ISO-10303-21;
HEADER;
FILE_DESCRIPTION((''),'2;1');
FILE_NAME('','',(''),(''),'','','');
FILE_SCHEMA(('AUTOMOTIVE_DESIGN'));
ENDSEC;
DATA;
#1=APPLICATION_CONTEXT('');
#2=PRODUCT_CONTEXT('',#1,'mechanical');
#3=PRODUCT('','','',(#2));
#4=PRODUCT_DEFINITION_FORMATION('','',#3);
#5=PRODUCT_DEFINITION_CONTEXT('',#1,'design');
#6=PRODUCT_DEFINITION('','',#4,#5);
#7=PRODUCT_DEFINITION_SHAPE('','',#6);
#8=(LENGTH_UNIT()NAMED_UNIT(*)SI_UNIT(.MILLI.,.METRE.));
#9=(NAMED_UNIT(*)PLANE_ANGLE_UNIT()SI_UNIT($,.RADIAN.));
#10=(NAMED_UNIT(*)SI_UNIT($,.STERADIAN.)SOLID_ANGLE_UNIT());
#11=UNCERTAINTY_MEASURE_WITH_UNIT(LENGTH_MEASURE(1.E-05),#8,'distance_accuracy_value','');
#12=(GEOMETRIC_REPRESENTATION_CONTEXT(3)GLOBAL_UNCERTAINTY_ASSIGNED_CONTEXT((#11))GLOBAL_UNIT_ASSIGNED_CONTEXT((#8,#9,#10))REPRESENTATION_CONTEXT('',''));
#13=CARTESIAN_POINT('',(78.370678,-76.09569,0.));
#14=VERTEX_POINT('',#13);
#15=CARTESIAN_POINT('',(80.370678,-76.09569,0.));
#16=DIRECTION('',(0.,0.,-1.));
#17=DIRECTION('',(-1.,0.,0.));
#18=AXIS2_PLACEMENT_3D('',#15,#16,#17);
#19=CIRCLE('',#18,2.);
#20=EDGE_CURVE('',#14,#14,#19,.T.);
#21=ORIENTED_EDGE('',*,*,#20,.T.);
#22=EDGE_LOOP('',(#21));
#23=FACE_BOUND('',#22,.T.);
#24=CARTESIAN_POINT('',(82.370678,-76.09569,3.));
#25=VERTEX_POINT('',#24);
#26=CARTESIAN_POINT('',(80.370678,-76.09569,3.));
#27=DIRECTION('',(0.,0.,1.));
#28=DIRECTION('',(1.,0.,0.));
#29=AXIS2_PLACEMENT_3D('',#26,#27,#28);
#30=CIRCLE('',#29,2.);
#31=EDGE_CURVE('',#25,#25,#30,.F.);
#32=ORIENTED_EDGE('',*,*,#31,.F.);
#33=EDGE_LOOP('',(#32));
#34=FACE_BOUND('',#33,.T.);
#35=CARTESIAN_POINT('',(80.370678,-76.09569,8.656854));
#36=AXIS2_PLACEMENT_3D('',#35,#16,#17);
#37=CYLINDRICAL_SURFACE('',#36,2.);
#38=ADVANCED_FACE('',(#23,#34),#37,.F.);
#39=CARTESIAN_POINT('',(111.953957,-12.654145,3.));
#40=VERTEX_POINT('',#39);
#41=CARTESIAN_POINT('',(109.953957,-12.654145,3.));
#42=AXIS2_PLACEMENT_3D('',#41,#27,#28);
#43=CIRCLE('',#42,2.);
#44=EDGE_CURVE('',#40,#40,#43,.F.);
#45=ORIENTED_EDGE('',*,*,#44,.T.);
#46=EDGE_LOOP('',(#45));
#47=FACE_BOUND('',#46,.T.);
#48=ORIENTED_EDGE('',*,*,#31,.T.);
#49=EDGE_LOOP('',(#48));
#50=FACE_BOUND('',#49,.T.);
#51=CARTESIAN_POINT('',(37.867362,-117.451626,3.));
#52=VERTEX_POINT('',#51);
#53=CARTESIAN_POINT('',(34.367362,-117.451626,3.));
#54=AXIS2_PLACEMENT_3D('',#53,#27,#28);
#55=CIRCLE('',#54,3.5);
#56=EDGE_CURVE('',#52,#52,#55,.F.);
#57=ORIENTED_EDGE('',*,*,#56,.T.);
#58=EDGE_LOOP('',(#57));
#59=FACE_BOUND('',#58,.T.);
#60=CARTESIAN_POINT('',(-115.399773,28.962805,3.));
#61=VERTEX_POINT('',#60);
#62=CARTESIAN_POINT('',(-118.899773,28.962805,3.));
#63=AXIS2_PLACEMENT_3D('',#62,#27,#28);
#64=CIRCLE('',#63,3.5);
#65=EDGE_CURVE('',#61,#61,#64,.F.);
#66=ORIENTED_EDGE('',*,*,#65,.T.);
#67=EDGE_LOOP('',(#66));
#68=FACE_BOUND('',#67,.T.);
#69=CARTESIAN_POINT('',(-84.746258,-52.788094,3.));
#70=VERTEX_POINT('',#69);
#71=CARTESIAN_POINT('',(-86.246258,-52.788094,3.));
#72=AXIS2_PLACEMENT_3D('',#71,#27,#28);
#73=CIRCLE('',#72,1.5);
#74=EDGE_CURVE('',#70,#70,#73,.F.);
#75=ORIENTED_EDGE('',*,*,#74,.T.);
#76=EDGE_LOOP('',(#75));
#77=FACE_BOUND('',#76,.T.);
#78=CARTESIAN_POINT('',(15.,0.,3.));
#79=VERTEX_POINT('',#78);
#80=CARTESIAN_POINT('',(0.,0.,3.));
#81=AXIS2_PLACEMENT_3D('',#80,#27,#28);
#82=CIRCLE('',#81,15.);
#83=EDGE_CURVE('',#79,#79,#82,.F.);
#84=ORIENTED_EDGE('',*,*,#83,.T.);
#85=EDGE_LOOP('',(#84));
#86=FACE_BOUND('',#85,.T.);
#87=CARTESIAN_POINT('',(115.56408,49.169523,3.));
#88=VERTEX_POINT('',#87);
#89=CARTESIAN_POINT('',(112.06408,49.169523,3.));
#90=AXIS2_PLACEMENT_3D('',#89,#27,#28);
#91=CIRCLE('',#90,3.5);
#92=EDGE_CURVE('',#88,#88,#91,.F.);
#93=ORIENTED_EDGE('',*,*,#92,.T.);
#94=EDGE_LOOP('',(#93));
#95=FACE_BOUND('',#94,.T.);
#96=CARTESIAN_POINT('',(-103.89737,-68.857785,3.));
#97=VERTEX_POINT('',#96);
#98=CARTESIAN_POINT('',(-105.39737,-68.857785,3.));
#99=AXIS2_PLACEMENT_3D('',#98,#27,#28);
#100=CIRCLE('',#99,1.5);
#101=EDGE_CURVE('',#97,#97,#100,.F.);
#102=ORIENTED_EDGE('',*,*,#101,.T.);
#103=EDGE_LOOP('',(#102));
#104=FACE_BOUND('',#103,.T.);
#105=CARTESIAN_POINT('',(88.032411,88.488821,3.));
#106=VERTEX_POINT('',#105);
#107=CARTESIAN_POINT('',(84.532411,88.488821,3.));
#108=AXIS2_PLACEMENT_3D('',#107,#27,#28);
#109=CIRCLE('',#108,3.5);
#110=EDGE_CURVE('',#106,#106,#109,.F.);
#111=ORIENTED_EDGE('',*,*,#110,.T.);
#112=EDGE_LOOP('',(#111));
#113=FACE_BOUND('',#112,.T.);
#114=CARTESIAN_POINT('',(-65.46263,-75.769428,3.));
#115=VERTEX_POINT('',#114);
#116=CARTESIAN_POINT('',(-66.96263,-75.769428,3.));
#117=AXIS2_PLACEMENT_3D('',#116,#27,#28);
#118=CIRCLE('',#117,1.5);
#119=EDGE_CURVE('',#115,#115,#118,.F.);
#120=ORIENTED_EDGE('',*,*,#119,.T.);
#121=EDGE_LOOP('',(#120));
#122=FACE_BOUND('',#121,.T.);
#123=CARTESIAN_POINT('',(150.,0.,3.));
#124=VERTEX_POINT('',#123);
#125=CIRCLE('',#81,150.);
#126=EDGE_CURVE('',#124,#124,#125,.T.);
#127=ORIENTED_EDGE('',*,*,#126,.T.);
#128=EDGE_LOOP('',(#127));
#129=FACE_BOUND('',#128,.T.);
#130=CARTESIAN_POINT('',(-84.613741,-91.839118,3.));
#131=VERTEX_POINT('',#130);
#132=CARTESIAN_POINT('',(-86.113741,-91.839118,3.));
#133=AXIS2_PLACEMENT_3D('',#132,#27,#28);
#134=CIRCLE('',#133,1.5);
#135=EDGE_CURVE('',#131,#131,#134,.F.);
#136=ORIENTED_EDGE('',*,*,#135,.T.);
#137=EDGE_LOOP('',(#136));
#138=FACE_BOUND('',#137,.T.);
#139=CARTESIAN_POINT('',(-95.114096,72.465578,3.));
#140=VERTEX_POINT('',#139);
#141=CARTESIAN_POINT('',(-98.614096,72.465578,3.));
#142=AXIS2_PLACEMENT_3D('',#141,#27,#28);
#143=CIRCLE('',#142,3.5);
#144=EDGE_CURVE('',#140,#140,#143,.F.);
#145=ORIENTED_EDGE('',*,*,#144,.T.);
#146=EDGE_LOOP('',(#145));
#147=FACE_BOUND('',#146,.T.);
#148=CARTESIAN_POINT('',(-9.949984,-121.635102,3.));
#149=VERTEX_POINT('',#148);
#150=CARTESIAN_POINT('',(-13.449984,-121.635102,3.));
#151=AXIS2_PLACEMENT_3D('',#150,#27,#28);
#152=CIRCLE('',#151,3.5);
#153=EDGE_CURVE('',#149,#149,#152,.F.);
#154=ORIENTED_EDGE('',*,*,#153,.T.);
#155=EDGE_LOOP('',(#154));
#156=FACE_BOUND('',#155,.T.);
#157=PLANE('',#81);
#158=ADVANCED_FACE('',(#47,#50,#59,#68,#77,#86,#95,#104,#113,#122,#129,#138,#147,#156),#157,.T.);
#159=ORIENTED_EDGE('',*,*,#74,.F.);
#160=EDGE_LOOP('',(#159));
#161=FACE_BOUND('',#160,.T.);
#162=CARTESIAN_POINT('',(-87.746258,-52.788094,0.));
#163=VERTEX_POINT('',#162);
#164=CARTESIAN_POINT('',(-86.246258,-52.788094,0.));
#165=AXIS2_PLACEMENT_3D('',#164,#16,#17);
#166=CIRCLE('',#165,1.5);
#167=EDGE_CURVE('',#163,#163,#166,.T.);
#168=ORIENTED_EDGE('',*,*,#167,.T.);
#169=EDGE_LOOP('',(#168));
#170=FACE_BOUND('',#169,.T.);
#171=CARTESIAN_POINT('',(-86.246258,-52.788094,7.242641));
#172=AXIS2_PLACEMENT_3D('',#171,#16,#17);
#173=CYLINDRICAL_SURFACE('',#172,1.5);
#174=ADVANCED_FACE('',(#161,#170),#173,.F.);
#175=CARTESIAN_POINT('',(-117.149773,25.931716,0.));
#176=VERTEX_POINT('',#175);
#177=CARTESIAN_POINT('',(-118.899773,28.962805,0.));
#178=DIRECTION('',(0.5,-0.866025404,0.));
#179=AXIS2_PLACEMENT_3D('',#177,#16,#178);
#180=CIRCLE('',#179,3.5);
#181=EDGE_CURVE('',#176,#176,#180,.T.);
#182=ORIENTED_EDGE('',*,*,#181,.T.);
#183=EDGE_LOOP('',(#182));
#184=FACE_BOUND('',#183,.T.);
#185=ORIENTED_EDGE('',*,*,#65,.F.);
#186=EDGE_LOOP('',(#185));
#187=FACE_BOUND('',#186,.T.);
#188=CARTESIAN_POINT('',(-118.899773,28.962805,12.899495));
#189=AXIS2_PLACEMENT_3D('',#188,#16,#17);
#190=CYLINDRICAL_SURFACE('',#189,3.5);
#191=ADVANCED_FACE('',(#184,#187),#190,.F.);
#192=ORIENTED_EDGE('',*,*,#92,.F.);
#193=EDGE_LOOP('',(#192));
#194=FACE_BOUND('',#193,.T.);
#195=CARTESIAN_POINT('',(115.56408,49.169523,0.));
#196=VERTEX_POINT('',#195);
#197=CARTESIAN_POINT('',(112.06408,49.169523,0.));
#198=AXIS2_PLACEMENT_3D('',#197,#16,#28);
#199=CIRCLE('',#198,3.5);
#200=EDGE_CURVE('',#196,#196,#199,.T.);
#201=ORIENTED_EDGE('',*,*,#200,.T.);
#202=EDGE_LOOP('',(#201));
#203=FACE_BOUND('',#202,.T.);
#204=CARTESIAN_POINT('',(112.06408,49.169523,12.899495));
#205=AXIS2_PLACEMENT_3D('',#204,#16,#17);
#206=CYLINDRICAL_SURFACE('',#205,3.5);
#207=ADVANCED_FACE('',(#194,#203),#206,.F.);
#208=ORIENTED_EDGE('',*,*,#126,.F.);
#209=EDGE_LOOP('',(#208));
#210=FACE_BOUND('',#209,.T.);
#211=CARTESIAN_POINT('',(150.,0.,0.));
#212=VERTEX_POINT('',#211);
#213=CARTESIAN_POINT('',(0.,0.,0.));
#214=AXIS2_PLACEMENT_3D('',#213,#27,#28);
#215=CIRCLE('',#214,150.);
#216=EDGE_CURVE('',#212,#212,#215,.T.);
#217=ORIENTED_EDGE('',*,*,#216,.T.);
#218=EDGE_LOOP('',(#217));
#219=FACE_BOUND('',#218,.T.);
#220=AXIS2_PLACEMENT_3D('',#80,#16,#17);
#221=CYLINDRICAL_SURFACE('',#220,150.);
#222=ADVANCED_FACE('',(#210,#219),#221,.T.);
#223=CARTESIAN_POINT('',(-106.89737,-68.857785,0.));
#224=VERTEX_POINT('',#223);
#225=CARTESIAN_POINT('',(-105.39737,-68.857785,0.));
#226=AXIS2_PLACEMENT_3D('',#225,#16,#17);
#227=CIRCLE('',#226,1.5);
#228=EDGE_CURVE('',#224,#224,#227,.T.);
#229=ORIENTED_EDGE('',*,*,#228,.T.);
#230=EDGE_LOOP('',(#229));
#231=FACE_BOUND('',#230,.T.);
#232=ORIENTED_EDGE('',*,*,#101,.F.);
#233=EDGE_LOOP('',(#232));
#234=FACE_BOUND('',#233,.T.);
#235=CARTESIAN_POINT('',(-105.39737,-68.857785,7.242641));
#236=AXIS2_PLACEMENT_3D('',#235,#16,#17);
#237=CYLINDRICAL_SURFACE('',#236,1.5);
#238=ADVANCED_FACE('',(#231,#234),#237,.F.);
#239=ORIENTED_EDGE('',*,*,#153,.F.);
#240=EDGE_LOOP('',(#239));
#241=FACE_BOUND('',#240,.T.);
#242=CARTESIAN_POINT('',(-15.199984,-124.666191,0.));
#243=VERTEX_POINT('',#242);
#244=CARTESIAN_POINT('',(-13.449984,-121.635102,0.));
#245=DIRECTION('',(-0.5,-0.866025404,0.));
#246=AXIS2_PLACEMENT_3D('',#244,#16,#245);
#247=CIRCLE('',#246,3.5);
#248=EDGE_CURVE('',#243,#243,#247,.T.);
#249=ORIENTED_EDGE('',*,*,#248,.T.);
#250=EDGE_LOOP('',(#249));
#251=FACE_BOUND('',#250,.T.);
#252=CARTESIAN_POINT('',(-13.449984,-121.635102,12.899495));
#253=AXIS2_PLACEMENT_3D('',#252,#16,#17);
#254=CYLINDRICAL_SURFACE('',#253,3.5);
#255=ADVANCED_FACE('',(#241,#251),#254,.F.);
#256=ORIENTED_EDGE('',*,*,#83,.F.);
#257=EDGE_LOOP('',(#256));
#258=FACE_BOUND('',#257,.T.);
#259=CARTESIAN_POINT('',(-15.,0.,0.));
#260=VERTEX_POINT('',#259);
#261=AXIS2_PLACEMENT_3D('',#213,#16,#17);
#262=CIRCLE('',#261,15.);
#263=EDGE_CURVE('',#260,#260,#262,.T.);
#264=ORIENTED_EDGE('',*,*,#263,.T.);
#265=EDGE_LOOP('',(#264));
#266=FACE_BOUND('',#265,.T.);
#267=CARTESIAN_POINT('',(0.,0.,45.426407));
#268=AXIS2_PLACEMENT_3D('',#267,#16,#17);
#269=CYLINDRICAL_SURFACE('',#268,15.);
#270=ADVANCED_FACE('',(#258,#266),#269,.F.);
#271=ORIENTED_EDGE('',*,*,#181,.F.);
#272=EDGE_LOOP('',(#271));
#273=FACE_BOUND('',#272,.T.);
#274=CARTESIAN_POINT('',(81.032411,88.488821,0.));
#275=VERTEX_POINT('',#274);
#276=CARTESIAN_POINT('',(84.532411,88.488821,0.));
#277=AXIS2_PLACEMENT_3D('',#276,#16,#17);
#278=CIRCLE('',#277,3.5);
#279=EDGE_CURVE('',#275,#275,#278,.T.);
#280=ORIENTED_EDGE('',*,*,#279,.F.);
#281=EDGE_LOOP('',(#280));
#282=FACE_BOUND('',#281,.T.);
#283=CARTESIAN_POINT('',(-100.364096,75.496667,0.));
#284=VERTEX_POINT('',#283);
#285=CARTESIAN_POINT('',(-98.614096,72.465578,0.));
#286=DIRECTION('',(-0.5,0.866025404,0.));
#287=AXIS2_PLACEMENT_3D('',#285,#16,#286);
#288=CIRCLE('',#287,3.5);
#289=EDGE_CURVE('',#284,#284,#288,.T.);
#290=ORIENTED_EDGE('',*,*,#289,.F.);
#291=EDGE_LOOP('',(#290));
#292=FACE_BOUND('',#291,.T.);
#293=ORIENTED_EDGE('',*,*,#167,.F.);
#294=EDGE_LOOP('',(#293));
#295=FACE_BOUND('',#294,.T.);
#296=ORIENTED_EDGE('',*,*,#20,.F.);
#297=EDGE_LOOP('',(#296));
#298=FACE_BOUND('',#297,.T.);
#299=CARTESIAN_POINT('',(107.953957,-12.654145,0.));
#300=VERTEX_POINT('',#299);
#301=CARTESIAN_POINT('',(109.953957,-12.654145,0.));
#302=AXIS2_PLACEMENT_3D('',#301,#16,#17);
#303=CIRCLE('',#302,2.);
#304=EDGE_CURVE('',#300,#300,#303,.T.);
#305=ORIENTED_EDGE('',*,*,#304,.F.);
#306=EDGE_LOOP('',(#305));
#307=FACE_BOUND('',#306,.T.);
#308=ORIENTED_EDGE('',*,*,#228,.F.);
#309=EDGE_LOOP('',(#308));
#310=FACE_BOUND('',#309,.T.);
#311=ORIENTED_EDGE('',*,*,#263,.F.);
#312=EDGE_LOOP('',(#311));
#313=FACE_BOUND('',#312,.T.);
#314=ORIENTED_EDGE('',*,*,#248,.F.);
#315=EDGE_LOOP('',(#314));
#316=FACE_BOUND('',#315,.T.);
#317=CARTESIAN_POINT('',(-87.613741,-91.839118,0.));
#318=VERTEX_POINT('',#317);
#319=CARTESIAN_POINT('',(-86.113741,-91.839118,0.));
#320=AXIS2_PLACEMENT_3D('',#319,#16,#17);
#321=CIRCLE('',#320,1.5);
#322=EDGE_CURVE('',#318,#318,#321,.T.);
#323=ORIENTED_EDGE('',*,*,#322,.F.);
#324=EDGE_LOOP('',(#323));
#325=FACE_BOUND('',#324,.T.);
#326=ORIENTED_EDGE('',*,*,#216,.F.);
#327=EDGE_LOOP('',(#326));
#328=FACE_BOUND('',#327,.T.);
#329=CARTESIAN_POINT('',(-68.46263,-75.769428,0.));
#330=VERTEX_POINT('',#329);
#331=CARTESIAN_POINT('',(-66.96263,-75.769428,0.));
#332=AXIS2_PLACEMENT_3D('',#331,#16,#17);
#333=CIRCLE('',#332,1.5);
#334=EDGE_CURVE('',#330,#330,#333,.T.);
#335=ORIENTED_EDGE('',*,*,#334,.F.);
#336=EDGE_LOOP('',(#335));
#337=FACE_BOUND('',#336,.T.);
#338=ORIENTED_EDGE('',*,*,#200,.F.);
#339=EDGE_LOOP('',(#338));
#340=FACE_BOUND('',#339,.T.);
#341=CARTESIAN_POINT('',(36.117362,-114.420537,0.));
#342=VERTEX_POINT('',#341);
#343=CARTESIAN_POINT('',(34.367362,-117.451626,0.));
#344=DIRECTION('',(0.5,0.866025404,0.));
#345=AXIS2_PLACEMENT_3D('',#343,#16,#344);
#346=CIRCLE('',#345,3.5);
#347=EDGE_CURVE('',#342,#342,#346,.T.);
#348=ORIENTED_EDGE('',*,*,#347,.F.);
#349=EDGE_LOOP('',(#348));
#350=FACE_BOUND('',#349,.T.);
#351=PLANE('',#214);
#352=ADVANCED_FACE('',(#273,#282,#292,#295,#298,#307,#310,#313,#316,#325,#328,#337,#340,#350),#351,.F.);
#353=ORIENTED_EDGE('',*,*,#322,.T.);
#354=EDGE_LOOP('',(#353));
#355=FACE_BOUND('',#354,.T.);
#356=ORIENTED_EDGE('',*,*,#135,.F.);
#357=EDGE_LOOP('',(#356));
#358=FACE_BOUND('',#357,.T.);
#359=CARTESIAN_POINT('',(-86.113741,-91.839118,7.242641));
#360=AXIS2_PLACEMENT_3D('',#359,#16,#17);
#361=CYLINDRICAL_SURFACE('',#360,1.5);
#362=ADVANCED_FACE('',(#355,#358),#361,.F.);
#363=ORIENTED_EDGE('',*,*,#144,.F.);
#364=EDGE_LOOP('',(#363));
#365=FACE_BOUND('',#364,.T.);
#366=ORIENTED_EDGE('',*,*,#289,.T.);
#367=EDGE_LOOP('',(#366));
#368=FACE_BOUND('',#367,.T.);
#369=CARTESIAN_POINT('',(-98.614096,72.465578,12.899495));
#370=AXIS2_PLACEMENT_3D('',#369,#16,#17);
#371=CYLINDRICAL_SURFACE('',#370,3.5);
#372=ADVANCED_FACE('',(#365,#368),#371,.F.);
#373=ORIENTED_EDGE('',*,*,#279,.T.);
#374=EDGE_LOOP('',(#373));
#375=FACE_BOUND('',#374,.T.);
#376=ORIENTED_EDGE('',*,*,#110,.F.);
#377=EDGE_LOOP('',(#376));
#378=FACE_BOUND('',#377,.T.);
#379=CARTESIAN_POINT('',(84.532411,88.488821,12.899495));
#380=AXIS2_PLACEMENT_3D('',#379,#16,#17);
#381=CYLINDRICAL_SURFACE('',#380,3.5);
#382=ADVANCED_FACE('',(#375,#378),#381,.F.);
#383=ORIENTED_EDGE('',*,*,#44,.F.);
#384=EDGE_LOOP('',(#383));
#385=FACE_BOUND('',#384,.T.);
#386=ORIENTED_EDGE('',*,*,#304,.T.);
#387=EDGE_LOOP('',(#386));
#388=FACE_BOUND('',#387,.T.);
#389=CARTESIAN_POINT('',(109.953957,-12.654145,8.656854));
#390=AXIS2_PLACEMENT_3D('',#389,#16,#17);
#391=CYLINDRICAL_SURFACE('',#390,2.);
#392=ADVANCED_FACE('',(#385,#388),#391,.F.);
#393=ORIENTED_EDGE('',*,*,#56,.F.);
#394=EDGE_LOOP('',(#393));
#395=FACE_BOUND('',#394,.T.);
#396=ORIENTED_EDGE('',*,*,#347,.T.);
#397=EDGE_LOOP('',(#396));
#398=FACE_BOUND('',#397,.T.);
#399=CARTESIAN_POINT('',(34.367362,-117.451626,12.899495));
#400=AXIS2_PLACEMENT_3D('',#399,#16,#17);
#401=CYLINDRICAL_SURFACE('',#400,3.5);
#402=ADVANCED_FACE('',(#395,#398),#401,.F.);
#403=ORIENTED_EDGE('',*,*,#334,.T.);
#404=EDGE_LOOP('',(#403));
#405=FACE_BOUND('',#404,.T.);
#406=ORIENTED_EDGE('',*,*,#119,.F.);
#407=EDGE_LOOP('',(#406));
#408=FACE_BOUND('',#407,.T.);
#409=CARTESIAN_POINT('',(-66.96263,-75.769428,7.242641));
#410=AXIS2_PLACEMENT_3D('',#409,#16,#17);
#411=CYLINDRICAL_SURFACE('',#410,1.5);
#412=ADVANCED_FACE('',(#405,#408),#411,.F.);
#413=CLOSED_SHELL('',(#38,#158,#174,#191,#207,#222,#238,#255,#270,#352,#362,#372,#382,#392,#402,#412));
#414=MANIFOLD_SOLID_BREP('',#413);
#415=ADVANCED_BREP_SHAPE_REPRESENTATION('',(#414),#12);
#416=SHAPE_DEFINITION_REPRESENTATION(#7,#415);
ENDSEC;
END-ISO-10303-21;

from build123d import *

# Parameters (mm, degrees)
SKETCH1_R           = 150
BOSS_EXTRUDE1_DEPTH = 3
SKETCH2_R           = 3.5
CUT_EXTRUDE1_DEPTH  = 3
CIRPATTERN1_COUNT   = 3
SKETCH3_R           = 2
CUT_EXTRUDE2_DEPTH  = 3
SKETCH4_R           = 15
CUT_EXTRUDE3_DEPTH  = 3
SKETCH6_R           = 1.5
CUT_EXTRUDE5_DEPTH  = 3


with BuildPart() as part:
    # Sketch1 → Boss-Extrude1 (new body)
    with BuildSketch(Plane.XY):
        Circle(SKETCH1_R)
    extrude(amount=BOSS_EXTRUDE1_DEPTH)

    # Sketch2 → Cut-Extrude1 (cut)
    with BuildSketch(Plane(origin=(0, 0, 0), x_dir=(-1, 0, 0), z_dir=(0, 0, -1))):
        with Locations((-84.532410842, 88.488821425)):
            Circle(SKETCH2_R)
        with Locations(Location((-112.064079787, 49.169523299, 0), (0, 0, 180))):
            Circle(SKETCH2_R)
    cut_extrude1 = extrude(amount=-CUT_EXTRUDE1_DEPTH, mode=Mode.SUBTRACT)

    # CirPattern1: Cut-Extrude1 ×3 about axis
    cirpattern1_axis = Axis((0, 0, 0), (0, 0, 1))
    for i in range(1, CIRPATTERN1_COUNT):
        add(cut_extrude1.rotate(cirpattern1_axis, i * 360 / CIRPATTERN1_COUNT), mode=Mode.SUBTRACT)

    # Sketch3 → Cut-Extrude2 (cut)
    with BuildSketch(Plane(origin=(0, 0, 0), x_dir=(-1, 0, 0), z_dir=(0, 0, -1))):
        with Locations((-109.9539568, -12.654144936)):
            Circle(SKETCH3_R)
        with Locations((-80.370678478, -76.095690029)):
            Circle(SKETCH3_R)
    extrude(amount=-CUT_EXTRUDE2_DEPTH, mode=Mode.SUBTRACT)

    # Sketch4 → Cut-Extrude3 (cut)
    with BuildSketch(Plane(origin=(0, 0, 0), x_dir=(-1, 0, 0), z_dir=(0, 0, -1))):
        Circle(SKETCH4_R)
    extrude(amount=-CUT_EXTRUDE3_DEPTH, mode=Mode.SUBTRACT)

    # Sketch6 → Cut-Extrude5 (cut)
    with BuildSketch(Plane(origin=(0, 0, 0), x_dir=(-1, 0, 0), z_dir=(0, 0, -1))):
        with Locations((66.962630167, -75.769427615)):
            Circle(SKETCH6_R)
        with Locations((86.113741245, -91.839117858)):
            Circle(SKETCH6_R)
        with Locations((105.397369535, -68.857784564)):
            Circle(SKETCH6_R)
        with Locations((86.246258457, -52.788094322)):
            Circle(SKETCH6_R)
    extrude(amount=-CUT_EXTRUDE5_DEPTH, mode=Mode.SUBTRACT)


solid = part.part
